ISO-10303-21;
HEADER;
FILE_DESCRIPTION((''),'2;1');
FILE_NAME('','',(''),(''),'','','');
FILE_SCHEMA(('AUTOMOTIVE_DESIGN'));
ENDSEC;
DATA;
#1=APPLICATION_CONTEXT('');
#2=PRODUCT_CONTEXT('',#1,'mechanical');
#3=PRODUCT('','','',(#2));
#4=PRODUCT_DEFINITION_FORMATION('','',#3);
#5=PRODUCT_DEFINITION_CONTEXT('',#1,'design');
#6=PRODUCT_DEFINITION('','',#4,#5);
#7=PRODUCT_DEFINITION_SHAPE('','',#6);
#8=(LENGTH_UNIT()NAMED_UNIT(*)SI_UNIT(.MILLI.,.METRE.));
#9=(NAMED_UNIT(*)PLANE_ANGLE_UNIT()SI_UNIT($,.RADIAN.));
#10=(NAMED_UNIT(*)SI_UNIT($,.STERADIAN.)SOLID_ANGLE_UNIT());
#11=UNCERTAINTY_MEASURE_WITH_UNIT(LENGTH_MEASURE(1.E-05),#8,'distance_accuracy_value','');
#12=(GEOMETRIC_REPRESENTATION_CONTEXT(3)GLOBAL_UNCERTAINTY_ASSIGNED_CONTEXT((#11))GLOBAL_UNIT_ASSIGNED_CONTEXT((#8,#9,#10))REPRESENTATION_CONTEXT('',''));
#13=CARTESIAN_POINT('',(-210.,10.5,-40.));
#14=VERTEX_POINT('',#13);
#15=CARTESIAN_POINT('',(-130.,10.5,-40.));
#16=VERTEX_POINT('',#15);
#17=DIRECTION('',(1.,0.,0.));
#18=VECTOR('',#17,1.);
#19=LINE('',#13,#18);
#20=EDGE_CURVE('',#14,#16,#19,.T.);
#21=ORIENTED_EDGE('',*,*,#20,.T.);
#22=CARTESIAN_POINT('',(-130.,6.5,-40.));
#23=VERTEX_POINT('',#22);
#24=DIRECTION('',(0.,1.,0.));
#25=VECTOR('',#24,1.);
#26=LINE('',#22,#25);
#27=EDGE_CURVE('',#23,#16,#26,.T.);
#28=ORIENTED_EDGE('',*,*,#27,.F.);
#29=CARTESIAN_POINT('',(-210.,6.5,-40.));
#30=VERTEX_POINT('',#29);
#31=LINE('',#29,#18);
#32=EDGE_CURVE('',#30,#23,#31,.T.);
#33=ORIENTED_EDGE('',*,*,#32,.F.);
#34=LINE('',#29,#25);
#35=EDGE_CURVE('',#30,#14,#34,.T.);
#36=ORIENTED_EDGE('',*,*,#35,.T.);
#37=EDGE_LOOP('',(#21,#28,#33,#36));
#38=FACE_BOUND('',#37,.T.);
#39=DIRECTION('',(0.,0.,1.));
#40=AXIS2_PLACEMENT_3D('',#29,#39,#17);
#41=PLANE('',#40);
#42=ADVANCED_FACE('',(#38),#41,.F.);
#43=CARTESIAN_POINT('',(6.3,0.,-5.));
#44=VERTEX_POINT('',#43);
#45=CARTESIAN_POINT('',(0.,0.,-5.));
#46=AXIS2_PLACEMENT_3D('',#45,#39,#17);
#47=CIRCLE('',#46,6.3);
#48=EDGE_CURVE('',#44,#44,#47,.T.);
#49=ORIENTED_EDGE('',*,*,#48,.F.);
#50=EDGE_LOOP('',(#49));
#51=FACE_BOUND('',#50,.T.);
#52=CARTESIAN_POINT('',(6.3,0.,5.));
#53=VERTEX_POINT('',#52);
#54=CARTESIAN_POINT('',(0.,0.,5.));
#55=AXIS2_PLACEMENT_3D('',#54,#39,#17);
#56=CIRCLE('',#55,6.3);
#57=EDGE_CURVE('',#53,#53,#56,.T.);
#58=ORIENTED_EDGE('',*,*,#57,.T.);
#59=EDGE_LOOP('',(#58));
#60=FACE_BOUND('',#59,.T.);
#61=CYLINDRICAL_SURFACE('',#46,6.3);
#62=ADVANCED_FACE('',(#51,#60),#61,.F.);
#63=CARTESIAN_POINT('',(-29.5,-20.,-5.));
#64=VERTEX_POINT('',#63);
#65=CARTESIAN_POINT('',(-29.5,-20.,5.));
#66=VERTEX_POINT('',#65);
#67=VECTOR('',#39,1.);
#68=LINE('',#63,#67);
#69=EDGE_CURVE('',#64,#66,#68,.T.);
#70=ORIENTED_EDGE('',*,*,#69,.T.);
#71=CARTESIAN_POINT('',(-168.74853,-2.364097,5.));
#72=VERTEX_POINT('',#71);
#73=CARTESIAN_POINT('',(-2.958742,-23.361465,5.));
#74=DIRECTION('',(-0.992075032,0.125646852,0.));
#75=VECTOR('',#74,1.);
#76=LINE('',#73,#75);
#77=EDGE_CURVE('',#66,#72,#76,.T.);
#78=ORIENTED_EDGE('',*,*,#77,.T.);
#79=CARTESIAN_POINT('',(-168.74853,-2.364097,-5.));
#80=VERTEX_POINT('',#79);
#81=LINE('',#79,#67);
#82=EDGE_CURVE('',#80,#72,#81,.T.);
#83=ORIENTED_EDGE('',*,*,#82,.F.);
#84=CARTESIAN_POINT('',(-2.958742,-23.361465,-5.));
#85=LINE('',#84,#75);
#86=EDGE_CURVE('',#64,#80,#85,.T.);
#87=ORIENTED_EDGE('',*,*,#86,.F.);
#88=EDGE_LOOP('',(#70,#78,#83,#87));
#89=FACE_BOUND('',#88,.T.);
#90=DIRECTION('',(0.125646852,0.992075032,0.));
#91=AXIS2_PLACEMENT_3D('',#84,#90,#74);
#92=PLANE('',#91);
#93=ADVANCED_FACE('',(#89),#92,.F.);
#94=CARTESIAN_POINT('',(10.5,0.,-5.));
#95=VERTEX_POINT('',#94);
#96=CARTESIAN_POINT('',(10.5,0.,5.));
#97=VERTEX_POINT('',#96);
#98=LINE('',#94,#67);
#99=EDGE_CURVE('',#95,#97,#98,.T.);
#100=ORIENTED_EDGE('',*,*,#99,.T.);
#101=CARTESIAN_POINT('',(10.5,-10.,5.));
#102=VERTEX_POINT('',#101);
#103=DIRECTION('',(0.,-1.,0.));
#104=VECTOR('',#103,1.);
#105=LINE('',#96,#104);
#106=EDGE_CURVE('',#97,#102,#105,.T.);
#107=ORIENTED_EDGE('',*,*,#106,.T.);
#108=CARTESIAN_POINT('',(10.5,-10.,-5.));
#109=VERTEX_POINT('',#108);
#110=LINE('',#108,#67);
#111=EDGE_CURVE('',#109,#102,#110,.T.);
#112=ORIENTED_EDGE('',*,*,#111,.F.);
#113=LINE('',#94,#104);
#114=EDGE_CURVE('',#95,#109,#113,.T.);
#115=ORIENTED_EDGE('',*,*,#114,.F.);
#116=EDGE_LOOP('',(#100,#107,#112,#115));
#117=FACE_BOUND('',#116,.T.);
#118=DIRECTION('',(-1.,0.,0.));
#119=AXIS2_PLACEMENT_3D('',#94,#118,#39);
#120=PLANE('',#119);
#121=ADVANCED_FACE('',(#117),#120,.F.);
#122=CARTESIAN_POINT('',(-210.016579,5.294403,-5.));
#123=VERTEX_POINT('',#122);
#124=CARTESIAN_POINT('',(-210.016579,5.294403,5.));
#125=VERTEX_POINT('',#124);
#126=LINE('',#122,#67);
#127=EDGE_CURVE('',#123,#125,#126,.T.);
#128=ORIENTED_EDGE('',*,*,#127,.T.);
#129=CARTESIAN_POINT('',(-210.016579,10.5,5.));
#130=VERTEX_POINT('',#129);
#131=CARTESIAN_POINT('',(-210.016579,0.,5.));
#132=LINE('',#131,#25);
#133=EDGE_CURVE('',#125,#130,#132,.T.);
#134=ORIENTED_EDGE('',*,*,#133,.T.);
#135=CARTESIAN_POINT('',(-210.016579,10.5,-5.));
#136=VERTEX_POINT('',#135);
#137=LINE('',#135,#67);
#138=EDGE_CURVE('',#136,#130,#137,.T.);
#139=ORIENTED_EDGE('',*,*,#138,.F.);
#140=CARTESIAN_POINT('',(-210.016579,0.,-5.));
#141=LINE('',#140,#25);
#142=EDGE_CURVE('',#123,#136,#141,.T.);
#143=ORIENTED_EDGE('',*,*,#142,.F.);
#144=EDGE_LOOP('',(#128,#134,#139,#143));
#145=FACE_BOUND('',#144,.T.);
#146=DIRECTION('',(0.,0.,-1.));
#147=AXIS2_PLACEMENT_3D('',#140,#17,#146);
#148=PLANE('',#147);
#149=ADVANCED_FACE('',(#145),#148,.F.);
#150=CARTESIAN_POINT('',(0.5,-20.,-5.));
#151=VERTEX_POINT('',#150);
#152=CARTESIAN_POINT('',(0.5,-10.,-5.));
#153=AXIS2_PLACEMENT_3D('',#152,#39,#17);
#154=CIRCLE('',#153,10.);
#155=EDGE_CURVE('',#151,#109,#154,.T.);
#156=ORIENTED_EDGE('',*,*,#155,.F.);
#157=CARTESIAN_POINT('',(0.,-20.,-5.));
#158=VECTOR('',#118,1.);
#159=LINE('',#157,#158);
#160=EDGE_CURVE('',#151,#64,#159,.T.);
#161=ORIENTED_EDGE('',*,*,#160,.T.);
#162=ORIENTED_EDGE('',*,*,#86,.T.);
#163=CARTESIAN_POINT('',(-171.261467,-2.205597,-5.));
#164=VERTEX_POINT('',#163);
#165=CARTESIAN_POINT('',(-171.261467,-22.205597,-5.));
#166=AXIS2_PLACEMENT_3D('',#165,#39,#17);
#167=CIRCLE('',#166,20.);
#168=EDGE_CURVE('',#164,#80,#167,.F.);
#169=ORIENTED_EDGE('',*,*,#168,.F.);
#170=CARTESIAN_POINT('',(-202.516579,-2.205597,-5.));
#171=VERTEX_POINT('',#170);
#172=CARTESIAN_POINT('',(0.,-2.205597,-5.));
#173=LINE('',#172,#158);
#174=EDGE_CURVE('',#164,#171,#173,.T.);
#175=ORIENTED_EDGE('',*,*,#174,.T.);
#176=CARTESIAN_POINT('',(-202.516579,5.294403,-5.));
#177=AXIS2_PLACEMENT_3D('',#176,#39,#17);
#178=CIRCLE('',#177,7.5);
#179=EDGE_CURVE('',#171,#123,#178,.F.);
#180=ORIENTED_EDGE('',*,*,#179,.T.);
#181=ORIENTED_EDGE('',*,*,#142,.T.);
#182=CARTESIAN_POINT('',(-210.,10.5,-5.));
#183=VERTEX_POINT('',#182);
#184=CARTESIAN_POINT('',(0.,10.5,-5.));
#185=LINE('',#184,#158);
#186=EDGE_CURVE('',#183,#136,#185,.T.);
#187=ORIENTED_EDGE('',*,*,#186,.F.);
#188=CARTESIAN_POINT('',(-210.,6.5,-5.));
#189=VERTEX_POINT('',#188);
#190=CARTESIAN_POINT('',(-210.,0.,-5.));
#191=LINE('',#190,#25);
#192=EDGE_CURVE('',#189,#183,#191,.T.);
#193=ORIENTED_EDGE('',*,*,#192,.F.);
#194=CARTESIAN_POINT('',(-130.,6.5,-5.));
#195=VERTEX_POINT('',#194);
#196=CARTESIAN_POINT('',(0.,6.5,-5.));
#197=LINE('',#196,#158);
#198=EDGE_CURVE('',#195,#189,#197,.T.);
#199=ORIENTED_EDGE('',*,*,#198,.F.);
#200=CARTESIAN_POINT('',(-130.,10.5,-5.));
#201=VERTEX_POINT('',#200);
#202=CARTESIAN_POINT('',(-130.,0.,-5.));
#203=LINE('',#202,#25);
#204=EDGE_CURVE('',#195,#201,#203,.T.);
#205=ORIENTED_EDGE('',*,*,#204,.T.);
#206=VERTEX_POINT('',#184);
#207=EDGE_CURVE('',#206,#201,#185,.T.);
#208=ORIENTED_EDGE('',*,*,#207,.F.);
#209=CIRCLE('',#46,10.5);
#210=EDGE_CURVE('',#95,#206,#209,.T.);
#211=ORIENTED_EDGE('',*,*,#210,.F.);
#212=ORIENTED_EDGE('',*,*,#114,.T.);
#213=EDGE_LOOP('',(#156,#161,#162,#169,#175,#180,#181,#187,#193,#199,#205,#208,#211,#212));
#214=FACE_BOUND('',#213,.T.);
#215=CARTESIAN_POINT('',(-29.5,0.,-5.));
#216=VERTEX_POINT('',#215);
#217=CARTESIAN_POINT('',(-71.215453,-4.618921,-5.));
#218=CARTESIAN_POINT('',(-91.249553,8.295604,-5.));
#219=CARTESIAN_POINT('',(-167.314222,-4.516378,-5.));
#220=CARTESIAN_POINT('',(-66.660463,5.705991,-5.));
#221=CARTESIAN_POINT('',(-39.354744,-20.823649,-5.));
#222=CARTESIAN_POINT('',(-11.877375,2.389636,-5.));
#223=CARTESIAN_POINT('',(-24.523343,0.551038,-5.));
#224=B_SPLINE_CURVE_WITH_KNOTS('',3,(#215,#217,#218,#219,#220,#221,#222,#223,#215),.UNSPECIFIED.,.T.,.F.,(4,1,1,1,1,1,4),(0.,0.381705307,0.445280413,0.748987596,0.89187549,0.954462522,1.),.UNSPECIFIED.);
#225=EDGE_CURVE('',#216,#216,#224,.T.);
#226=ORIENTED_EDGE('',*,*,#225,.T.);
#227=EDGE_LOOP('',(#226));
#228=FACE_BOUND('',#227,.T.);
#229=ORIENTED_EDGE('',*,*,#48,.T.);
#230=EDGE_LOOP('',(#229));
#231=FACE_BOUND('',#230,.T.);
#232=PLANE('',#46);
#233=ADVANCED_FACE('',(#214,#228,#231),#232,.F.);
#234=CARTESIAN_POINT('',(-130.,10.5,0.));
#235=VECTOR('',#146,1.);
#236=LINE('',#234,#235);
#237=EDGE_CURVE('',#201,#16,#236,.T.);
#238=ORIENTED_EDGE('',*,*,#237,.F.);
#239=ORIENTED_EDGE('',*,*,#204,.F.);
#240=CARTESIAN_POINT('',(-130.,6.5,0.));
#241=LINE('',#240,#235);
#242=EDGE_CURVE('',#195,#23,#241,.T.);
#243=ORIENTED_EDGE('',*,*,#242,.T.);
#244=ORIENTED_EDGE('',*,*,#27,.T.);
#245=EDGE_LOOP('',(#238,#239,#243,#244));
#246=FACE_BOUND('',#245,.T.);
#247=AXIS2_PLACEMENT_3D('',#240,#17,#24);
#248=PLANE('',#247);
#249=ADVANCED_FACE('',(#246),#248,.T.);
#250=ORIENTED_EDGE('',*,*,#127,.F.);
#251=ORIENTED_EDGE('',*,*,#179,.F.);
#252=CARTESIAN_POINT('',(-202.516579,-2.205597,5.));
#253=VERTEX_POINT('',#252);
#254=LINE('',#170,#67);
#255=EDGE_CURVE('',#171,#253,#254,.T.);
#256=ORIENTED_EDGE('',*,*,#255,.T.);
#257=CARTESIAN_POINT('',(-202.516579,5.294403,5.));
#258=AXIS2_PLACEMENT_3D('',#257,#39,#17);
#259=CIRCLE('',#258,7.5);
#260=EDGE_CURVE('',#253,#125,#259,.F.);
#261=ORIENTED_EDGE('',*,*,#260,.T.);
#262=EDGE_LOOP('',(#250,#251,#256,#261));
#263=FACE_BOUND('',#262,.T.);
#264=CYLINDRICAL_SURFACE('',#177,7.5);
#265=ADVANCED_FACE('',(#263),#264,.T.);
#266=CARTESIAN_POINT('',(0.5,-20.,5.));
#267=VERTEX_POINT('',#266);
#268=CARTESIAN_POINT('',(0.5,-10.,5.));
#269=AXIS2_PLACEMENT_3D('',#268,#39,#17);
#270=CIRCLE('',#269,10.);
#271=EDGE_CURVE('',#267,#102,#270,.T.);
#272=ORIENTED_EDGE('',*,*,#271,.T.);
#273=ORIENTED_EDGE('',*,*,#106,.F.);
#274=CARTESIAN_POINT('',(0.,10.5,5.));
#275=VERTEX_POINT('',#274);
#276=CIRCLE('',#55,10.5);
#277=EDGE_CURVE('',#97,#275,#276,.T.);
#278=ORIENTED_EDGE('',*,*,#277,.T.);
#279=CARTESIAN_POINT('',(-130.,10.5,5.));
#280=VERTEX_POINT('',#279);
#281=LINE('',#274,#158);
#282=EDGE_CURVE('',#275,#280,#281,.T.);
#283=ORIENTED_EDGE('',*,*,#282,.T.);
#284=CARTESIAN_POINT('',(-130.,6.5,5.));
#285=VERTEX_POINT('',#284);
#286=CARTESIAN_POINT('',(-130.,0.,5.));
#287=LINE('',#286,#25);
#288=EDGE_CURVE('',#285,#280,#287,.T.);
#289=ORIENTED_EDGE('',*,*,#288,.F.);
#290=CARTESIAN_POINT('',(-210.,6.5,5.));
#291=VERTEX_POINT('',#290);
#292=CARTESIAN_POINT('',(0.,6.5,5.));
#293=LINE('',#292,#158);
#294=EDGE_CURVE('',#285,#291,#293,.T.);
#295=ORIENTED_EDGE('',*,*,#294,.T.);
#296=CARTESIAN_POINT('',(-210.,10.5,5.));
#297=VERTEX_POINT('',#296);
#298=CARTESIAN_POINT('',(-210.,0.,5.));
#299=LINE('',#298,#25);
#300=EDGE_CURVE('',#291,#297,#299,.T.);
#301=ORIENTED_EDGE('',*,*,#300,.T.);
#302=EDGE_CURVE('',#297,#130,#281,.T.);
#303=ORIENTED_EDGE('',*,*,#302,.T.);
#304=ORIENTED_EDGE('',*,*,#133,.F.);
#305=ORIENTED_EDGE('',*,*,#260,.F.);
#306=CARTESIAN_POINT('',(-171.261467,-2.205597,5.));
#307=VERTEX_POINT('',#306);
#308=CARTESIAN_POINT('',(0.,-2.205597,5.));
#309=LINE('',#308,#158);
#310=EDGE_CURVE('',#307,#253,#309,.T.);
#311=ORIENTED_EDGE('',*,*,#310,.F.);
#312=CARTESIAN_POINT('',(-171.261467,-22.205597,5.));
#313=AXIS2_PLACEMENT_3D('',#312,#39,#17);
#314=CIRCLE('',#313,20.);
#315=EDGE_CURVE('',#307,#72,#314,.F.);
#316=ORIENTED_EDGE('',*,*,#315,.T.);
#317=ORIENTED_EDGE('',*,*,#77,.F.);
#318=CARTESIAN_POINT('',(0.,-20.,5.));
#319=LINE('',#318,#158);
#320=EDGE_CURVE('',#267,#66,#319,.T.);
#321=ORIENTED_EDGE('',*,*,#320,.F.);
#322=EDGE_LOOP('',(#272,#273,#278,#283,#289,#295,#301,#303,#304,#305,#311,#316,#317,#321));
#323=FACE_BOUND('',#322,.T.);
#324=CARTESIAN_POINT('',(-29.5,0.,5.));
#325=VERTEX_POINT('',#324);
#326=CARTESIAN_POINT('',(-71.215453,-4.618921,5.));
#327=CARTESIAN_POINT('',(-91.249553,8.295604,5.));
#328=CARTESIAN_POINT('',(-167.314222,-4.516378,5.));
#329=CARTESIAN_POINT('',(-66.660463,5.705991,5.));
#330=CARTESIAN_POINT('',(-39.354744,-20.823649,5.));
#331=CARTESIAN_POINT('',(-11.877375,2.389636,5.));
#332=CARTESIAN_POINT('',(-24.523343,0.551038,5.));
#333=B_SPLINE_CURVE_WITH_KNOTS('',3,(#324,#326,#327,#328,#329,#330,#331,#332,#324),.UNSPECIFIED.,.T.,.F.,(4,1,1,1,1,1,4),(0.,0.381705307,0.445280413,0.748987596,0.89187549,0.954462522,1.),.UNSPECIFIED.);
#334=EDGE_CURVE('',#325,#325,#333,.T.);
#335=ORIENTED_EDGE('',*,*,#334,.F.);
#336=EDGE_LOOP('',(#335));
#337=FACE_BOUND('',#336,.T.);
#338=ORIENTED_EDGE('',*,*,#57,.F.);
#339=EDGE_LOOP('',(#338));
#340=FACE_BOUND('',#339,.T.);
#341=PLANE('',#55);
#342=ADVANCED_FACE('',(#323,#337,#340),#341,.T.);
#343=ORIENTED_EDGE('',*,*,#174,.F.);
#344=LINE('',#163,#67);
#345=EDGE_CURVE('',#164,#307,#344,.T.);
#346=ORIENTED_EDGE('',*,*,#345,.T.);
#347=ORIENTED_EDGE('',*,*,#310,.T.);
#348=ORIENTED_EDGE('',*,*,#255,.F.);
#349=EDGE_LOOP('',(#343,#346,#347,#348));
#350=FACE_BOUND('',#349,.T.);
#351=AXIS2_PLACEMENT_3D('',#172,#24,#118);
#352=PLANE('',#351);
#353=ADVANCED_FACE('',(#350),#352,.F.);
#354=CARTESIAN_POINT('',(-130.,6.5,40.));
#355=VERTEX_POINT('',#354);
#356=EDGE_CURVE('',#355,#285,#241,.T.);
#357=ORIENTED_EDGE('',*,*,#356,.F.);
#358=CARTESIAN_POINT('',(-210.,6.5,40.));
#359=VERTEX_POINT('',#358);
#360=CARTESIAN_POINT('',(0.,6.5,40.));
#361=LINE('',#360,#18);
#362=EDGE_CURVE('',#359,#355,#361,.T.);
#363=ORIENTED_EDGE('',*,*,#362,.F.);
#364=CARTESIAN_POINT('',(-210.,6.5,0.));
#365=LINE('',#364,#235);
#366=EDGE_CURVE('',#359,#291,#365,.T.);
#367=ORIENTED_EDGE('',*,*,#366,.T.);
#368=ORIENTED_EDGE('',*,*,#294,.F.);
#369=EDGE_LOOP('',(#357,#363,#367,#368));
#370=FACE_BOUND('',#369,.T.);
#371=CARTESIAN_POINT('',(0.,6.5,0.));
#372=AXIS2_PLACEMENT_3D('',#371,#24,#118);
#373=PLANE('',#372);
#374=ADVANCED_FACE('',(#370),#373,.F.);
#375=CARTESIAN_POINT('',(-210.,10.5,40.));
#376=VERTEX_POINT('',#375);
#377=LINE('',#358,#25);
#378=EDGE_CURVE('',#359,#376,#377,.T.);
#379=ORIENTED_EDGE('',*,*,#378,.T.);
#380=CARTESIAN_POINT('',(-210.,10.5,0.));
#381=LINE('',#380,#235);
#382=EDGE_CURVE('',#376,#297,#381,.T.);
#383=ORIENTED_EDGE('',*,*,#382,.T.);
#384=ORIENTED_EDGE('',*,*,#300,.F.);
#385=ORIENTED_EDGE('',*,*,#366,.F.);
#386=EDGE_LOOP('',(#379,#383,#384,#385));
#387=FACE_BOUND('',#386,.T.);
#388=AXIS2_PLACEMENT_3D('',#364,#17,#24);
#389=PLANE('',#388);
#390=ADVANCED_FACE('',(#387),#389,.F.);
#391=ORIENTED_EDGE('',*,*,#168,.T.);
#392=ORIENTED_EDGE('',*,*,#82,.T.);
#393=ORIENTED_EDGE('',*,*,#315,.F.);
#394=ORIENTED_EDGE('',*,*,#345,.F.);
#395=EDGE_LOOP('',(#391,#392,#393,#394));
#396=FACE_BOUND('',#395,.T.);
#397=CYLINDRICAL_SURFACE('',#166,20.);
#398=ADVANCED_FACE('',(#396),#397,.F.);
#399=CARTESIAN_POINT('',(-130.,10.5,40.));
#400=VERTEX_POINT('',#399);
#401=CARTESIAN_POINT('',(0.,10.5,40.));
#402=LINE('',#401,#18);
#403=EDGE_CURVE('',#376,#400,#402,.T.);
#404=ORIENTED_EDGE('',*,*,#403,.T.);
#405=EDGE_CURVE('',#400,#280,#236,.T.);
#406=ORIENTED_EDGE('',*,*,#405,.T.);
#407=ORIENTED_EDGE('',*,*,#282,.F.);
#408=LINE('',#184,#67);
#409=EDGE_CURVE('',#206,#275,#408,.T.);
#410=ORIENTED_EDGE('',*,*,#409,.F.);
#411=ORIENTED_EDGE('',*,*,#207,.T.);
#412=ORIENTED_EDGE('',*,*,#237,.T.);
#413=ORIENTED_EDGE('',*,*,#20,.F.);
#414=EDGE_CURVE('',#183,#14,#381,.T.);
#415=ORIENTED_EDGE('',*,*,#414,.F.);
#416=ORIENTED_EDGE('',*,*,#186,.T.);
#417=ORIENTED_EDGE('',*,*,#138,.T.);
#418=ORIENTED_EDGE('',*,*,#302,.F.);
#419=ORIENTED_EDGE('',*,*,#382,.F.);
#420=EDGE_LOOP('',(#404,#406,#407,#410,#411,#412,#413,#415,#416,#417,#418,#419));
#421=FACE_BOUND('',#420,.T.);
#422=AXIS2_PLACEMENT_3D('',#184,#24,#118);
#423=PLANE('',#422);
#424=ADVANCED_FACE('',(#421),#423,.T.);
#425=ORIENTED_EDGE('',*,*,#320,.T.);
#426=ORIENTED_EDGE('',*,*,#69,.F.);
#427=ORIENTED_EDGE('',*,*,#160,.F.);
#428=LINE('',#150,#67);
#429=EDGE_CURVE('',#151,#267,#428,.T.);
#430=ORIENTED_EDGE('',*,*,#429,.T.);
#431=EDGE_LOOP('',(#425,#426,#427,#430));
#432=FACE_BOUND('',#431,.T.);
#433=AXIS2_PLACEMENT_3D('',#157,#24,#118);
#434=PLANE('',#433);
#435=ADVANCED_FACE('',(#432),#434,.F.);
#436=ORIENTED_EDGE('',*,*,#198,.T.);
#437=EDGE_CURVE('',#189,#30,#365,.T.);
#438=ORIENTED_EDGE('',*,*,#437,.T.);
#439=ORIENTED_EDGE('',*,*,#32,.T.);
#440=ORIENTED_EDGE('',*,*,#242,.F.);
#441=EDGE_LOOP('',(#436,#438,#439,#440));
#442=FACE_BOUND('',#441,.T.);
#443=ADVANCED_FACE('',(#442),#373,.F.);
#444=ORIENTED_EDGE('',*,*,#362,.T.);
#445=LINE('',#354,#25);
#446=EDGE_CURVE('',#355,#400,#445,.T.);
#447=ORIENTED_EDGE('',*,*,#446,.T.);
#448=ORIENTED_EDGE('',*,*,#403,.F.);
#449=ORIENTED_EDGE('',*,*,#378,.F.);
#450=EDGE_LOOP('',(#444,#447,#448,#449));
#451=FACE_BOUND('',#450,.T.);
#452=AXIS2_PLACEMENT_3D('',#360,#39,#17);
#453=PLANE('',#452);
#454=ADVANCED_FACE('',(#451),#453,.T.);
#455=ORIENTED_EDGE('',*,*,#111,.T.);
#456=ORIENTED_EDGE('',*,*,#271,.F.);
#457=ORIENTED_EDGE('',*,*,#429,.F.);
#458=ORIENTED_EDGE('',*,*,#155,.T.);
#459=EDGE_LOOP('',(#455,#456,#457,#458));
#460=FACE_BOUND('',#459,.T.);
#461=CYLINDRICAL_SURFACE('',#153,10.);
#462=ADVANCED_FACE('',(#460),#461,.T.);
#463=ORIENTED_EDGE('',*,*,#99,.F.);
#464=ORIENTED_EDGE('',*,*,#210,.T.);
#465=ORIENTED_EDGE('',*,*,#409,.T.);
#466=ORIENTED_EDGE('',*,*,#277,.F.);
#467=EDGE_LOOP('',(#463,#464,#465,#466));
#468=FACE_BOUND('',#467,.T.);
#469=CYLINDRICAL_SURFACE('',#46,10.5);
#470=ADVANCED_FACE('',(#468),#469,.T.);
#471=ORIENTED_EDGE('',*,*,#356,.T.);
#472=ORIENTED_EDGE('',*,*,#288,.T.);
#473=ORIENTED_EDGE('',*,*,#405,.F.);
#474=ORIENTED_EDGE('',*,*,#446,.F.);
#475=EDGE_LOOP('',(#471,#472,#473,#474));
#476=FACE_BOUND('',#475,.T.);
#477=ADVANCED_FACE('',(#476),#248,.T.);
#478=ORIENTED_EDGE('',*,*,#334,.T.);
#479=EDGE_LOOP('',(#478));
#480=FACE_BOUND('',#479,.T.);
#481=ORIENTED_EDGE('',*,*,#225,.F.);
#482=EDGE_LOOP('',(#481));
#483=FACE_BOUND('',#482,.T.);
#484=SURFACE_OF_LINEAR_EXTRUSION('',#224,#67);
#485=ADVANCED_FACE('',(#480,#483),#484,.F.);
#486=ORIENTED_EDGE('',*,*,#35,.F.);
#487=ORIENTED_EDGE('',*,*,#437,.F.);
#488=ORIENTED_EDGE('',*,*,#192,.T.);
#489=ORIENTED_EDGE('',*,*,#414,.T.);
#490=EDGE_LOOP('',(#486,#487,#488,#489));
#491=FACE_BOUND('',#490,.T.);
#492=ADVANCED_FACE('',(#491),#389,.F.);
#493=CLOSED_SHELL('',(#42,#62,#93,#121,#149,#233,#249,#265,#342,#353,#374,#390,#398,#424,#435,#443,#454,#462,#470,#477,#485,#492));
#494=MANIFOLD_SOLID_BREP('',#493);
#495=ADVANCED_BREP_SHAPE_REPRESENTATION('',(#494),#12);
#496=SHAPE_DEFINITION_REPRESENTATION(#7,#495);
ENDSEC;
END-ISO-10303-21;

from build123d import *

# Parameters (mm, degrees)
BOSS_EXTRUDE2_DEPTH      = 5
BOSS_EXTRUDE2_DEPTH_BACK = 5
SKETCH1_R                = 6.3
BOSS_EXTRUDE5_DEPTH      = 4


with BuildPart() as part:
    # Sketch1 → Boss-Extrude2 (new, two sides: drawn at the far end of the back side and taken through both)
    with BuildSketch(Plane.XY.offset(-BOSS_EXTRUDE2_DEPTH_BACK)):
        with BuildLine():
            Line((-202.516579197, -2.205597272), (-171.261467059, -2.205597272))
            ThreePointArc((-171.261467059, -2.205597272), (-170.002501752, -2.245261445), (-168.748530027, -2.364096637))
            Line((-168.748530027, -2.364096637), (-29.5, -20))
            Line((-29.5, -20), (0.5, -20))
            ThreePointArc((0.5, -20), (7.571067812, -17.071067812), (10.5, -10))
            Line((10.5, -10), (10.5, 0))
            ThreePointArc((10.5, 0), (7.424621202, 7.424621202), (0, 10.5))
            Line((0, 10.5), (-170, 10.5))
            Line((-170, 10.5), (-210.016579197, 10.5))
            Line((-210.016579197, 10.5), (-210.016579197, 5.294402728))
            ThreePointArc((-210.016579197, 5.294402728), (-207.819880056, -0.008898131), (-202.516579197, -2.205597272))
        make_face()
        with BuildLine():
            add(Edge.make_bspline(
                [(-29.5, 0), (-71.215452784, -4.618921443), (-91.249553359, 8.295604419), (-167.314221678, -4.516378239), (-66.660462753, 5.705990527), (-39.354743787, -20.82364873), (-11.877374637, 2.389635503), (-24.523342717, 0.551037745), (-29.5, 0)],
                knots=[0, 0, 0, 0, 0.381705307, 0.445280413, 0.748987596, 0.89187549, 0.954462522, 1, 1, 1, 1], degree=3))
        make_face(mode=Mode.SUBTRACT)
        Circle(SKETCH1_R, mode=Mode.SUBTRACT)
    extrude(amount=BOSS_EXTRUDE2_DEPTH + BOSS_EXTRUDE2_DEPTH_BACK)

    # Sketch2 → Boss-Extrude5 (add)
    with BuildSketch(Plane(origin=(0, 10.5, 0), x_dir=(1, 0, 0), z_dir=(0, 1, 0))):
        Polygon((-210, -40), (-130, -40), (-130, 0), (-130, 40), (-210, 40), align=None)
    extrude(amount=-BOSS_EXTRUDE5_DEPTH)


solid = part.part
